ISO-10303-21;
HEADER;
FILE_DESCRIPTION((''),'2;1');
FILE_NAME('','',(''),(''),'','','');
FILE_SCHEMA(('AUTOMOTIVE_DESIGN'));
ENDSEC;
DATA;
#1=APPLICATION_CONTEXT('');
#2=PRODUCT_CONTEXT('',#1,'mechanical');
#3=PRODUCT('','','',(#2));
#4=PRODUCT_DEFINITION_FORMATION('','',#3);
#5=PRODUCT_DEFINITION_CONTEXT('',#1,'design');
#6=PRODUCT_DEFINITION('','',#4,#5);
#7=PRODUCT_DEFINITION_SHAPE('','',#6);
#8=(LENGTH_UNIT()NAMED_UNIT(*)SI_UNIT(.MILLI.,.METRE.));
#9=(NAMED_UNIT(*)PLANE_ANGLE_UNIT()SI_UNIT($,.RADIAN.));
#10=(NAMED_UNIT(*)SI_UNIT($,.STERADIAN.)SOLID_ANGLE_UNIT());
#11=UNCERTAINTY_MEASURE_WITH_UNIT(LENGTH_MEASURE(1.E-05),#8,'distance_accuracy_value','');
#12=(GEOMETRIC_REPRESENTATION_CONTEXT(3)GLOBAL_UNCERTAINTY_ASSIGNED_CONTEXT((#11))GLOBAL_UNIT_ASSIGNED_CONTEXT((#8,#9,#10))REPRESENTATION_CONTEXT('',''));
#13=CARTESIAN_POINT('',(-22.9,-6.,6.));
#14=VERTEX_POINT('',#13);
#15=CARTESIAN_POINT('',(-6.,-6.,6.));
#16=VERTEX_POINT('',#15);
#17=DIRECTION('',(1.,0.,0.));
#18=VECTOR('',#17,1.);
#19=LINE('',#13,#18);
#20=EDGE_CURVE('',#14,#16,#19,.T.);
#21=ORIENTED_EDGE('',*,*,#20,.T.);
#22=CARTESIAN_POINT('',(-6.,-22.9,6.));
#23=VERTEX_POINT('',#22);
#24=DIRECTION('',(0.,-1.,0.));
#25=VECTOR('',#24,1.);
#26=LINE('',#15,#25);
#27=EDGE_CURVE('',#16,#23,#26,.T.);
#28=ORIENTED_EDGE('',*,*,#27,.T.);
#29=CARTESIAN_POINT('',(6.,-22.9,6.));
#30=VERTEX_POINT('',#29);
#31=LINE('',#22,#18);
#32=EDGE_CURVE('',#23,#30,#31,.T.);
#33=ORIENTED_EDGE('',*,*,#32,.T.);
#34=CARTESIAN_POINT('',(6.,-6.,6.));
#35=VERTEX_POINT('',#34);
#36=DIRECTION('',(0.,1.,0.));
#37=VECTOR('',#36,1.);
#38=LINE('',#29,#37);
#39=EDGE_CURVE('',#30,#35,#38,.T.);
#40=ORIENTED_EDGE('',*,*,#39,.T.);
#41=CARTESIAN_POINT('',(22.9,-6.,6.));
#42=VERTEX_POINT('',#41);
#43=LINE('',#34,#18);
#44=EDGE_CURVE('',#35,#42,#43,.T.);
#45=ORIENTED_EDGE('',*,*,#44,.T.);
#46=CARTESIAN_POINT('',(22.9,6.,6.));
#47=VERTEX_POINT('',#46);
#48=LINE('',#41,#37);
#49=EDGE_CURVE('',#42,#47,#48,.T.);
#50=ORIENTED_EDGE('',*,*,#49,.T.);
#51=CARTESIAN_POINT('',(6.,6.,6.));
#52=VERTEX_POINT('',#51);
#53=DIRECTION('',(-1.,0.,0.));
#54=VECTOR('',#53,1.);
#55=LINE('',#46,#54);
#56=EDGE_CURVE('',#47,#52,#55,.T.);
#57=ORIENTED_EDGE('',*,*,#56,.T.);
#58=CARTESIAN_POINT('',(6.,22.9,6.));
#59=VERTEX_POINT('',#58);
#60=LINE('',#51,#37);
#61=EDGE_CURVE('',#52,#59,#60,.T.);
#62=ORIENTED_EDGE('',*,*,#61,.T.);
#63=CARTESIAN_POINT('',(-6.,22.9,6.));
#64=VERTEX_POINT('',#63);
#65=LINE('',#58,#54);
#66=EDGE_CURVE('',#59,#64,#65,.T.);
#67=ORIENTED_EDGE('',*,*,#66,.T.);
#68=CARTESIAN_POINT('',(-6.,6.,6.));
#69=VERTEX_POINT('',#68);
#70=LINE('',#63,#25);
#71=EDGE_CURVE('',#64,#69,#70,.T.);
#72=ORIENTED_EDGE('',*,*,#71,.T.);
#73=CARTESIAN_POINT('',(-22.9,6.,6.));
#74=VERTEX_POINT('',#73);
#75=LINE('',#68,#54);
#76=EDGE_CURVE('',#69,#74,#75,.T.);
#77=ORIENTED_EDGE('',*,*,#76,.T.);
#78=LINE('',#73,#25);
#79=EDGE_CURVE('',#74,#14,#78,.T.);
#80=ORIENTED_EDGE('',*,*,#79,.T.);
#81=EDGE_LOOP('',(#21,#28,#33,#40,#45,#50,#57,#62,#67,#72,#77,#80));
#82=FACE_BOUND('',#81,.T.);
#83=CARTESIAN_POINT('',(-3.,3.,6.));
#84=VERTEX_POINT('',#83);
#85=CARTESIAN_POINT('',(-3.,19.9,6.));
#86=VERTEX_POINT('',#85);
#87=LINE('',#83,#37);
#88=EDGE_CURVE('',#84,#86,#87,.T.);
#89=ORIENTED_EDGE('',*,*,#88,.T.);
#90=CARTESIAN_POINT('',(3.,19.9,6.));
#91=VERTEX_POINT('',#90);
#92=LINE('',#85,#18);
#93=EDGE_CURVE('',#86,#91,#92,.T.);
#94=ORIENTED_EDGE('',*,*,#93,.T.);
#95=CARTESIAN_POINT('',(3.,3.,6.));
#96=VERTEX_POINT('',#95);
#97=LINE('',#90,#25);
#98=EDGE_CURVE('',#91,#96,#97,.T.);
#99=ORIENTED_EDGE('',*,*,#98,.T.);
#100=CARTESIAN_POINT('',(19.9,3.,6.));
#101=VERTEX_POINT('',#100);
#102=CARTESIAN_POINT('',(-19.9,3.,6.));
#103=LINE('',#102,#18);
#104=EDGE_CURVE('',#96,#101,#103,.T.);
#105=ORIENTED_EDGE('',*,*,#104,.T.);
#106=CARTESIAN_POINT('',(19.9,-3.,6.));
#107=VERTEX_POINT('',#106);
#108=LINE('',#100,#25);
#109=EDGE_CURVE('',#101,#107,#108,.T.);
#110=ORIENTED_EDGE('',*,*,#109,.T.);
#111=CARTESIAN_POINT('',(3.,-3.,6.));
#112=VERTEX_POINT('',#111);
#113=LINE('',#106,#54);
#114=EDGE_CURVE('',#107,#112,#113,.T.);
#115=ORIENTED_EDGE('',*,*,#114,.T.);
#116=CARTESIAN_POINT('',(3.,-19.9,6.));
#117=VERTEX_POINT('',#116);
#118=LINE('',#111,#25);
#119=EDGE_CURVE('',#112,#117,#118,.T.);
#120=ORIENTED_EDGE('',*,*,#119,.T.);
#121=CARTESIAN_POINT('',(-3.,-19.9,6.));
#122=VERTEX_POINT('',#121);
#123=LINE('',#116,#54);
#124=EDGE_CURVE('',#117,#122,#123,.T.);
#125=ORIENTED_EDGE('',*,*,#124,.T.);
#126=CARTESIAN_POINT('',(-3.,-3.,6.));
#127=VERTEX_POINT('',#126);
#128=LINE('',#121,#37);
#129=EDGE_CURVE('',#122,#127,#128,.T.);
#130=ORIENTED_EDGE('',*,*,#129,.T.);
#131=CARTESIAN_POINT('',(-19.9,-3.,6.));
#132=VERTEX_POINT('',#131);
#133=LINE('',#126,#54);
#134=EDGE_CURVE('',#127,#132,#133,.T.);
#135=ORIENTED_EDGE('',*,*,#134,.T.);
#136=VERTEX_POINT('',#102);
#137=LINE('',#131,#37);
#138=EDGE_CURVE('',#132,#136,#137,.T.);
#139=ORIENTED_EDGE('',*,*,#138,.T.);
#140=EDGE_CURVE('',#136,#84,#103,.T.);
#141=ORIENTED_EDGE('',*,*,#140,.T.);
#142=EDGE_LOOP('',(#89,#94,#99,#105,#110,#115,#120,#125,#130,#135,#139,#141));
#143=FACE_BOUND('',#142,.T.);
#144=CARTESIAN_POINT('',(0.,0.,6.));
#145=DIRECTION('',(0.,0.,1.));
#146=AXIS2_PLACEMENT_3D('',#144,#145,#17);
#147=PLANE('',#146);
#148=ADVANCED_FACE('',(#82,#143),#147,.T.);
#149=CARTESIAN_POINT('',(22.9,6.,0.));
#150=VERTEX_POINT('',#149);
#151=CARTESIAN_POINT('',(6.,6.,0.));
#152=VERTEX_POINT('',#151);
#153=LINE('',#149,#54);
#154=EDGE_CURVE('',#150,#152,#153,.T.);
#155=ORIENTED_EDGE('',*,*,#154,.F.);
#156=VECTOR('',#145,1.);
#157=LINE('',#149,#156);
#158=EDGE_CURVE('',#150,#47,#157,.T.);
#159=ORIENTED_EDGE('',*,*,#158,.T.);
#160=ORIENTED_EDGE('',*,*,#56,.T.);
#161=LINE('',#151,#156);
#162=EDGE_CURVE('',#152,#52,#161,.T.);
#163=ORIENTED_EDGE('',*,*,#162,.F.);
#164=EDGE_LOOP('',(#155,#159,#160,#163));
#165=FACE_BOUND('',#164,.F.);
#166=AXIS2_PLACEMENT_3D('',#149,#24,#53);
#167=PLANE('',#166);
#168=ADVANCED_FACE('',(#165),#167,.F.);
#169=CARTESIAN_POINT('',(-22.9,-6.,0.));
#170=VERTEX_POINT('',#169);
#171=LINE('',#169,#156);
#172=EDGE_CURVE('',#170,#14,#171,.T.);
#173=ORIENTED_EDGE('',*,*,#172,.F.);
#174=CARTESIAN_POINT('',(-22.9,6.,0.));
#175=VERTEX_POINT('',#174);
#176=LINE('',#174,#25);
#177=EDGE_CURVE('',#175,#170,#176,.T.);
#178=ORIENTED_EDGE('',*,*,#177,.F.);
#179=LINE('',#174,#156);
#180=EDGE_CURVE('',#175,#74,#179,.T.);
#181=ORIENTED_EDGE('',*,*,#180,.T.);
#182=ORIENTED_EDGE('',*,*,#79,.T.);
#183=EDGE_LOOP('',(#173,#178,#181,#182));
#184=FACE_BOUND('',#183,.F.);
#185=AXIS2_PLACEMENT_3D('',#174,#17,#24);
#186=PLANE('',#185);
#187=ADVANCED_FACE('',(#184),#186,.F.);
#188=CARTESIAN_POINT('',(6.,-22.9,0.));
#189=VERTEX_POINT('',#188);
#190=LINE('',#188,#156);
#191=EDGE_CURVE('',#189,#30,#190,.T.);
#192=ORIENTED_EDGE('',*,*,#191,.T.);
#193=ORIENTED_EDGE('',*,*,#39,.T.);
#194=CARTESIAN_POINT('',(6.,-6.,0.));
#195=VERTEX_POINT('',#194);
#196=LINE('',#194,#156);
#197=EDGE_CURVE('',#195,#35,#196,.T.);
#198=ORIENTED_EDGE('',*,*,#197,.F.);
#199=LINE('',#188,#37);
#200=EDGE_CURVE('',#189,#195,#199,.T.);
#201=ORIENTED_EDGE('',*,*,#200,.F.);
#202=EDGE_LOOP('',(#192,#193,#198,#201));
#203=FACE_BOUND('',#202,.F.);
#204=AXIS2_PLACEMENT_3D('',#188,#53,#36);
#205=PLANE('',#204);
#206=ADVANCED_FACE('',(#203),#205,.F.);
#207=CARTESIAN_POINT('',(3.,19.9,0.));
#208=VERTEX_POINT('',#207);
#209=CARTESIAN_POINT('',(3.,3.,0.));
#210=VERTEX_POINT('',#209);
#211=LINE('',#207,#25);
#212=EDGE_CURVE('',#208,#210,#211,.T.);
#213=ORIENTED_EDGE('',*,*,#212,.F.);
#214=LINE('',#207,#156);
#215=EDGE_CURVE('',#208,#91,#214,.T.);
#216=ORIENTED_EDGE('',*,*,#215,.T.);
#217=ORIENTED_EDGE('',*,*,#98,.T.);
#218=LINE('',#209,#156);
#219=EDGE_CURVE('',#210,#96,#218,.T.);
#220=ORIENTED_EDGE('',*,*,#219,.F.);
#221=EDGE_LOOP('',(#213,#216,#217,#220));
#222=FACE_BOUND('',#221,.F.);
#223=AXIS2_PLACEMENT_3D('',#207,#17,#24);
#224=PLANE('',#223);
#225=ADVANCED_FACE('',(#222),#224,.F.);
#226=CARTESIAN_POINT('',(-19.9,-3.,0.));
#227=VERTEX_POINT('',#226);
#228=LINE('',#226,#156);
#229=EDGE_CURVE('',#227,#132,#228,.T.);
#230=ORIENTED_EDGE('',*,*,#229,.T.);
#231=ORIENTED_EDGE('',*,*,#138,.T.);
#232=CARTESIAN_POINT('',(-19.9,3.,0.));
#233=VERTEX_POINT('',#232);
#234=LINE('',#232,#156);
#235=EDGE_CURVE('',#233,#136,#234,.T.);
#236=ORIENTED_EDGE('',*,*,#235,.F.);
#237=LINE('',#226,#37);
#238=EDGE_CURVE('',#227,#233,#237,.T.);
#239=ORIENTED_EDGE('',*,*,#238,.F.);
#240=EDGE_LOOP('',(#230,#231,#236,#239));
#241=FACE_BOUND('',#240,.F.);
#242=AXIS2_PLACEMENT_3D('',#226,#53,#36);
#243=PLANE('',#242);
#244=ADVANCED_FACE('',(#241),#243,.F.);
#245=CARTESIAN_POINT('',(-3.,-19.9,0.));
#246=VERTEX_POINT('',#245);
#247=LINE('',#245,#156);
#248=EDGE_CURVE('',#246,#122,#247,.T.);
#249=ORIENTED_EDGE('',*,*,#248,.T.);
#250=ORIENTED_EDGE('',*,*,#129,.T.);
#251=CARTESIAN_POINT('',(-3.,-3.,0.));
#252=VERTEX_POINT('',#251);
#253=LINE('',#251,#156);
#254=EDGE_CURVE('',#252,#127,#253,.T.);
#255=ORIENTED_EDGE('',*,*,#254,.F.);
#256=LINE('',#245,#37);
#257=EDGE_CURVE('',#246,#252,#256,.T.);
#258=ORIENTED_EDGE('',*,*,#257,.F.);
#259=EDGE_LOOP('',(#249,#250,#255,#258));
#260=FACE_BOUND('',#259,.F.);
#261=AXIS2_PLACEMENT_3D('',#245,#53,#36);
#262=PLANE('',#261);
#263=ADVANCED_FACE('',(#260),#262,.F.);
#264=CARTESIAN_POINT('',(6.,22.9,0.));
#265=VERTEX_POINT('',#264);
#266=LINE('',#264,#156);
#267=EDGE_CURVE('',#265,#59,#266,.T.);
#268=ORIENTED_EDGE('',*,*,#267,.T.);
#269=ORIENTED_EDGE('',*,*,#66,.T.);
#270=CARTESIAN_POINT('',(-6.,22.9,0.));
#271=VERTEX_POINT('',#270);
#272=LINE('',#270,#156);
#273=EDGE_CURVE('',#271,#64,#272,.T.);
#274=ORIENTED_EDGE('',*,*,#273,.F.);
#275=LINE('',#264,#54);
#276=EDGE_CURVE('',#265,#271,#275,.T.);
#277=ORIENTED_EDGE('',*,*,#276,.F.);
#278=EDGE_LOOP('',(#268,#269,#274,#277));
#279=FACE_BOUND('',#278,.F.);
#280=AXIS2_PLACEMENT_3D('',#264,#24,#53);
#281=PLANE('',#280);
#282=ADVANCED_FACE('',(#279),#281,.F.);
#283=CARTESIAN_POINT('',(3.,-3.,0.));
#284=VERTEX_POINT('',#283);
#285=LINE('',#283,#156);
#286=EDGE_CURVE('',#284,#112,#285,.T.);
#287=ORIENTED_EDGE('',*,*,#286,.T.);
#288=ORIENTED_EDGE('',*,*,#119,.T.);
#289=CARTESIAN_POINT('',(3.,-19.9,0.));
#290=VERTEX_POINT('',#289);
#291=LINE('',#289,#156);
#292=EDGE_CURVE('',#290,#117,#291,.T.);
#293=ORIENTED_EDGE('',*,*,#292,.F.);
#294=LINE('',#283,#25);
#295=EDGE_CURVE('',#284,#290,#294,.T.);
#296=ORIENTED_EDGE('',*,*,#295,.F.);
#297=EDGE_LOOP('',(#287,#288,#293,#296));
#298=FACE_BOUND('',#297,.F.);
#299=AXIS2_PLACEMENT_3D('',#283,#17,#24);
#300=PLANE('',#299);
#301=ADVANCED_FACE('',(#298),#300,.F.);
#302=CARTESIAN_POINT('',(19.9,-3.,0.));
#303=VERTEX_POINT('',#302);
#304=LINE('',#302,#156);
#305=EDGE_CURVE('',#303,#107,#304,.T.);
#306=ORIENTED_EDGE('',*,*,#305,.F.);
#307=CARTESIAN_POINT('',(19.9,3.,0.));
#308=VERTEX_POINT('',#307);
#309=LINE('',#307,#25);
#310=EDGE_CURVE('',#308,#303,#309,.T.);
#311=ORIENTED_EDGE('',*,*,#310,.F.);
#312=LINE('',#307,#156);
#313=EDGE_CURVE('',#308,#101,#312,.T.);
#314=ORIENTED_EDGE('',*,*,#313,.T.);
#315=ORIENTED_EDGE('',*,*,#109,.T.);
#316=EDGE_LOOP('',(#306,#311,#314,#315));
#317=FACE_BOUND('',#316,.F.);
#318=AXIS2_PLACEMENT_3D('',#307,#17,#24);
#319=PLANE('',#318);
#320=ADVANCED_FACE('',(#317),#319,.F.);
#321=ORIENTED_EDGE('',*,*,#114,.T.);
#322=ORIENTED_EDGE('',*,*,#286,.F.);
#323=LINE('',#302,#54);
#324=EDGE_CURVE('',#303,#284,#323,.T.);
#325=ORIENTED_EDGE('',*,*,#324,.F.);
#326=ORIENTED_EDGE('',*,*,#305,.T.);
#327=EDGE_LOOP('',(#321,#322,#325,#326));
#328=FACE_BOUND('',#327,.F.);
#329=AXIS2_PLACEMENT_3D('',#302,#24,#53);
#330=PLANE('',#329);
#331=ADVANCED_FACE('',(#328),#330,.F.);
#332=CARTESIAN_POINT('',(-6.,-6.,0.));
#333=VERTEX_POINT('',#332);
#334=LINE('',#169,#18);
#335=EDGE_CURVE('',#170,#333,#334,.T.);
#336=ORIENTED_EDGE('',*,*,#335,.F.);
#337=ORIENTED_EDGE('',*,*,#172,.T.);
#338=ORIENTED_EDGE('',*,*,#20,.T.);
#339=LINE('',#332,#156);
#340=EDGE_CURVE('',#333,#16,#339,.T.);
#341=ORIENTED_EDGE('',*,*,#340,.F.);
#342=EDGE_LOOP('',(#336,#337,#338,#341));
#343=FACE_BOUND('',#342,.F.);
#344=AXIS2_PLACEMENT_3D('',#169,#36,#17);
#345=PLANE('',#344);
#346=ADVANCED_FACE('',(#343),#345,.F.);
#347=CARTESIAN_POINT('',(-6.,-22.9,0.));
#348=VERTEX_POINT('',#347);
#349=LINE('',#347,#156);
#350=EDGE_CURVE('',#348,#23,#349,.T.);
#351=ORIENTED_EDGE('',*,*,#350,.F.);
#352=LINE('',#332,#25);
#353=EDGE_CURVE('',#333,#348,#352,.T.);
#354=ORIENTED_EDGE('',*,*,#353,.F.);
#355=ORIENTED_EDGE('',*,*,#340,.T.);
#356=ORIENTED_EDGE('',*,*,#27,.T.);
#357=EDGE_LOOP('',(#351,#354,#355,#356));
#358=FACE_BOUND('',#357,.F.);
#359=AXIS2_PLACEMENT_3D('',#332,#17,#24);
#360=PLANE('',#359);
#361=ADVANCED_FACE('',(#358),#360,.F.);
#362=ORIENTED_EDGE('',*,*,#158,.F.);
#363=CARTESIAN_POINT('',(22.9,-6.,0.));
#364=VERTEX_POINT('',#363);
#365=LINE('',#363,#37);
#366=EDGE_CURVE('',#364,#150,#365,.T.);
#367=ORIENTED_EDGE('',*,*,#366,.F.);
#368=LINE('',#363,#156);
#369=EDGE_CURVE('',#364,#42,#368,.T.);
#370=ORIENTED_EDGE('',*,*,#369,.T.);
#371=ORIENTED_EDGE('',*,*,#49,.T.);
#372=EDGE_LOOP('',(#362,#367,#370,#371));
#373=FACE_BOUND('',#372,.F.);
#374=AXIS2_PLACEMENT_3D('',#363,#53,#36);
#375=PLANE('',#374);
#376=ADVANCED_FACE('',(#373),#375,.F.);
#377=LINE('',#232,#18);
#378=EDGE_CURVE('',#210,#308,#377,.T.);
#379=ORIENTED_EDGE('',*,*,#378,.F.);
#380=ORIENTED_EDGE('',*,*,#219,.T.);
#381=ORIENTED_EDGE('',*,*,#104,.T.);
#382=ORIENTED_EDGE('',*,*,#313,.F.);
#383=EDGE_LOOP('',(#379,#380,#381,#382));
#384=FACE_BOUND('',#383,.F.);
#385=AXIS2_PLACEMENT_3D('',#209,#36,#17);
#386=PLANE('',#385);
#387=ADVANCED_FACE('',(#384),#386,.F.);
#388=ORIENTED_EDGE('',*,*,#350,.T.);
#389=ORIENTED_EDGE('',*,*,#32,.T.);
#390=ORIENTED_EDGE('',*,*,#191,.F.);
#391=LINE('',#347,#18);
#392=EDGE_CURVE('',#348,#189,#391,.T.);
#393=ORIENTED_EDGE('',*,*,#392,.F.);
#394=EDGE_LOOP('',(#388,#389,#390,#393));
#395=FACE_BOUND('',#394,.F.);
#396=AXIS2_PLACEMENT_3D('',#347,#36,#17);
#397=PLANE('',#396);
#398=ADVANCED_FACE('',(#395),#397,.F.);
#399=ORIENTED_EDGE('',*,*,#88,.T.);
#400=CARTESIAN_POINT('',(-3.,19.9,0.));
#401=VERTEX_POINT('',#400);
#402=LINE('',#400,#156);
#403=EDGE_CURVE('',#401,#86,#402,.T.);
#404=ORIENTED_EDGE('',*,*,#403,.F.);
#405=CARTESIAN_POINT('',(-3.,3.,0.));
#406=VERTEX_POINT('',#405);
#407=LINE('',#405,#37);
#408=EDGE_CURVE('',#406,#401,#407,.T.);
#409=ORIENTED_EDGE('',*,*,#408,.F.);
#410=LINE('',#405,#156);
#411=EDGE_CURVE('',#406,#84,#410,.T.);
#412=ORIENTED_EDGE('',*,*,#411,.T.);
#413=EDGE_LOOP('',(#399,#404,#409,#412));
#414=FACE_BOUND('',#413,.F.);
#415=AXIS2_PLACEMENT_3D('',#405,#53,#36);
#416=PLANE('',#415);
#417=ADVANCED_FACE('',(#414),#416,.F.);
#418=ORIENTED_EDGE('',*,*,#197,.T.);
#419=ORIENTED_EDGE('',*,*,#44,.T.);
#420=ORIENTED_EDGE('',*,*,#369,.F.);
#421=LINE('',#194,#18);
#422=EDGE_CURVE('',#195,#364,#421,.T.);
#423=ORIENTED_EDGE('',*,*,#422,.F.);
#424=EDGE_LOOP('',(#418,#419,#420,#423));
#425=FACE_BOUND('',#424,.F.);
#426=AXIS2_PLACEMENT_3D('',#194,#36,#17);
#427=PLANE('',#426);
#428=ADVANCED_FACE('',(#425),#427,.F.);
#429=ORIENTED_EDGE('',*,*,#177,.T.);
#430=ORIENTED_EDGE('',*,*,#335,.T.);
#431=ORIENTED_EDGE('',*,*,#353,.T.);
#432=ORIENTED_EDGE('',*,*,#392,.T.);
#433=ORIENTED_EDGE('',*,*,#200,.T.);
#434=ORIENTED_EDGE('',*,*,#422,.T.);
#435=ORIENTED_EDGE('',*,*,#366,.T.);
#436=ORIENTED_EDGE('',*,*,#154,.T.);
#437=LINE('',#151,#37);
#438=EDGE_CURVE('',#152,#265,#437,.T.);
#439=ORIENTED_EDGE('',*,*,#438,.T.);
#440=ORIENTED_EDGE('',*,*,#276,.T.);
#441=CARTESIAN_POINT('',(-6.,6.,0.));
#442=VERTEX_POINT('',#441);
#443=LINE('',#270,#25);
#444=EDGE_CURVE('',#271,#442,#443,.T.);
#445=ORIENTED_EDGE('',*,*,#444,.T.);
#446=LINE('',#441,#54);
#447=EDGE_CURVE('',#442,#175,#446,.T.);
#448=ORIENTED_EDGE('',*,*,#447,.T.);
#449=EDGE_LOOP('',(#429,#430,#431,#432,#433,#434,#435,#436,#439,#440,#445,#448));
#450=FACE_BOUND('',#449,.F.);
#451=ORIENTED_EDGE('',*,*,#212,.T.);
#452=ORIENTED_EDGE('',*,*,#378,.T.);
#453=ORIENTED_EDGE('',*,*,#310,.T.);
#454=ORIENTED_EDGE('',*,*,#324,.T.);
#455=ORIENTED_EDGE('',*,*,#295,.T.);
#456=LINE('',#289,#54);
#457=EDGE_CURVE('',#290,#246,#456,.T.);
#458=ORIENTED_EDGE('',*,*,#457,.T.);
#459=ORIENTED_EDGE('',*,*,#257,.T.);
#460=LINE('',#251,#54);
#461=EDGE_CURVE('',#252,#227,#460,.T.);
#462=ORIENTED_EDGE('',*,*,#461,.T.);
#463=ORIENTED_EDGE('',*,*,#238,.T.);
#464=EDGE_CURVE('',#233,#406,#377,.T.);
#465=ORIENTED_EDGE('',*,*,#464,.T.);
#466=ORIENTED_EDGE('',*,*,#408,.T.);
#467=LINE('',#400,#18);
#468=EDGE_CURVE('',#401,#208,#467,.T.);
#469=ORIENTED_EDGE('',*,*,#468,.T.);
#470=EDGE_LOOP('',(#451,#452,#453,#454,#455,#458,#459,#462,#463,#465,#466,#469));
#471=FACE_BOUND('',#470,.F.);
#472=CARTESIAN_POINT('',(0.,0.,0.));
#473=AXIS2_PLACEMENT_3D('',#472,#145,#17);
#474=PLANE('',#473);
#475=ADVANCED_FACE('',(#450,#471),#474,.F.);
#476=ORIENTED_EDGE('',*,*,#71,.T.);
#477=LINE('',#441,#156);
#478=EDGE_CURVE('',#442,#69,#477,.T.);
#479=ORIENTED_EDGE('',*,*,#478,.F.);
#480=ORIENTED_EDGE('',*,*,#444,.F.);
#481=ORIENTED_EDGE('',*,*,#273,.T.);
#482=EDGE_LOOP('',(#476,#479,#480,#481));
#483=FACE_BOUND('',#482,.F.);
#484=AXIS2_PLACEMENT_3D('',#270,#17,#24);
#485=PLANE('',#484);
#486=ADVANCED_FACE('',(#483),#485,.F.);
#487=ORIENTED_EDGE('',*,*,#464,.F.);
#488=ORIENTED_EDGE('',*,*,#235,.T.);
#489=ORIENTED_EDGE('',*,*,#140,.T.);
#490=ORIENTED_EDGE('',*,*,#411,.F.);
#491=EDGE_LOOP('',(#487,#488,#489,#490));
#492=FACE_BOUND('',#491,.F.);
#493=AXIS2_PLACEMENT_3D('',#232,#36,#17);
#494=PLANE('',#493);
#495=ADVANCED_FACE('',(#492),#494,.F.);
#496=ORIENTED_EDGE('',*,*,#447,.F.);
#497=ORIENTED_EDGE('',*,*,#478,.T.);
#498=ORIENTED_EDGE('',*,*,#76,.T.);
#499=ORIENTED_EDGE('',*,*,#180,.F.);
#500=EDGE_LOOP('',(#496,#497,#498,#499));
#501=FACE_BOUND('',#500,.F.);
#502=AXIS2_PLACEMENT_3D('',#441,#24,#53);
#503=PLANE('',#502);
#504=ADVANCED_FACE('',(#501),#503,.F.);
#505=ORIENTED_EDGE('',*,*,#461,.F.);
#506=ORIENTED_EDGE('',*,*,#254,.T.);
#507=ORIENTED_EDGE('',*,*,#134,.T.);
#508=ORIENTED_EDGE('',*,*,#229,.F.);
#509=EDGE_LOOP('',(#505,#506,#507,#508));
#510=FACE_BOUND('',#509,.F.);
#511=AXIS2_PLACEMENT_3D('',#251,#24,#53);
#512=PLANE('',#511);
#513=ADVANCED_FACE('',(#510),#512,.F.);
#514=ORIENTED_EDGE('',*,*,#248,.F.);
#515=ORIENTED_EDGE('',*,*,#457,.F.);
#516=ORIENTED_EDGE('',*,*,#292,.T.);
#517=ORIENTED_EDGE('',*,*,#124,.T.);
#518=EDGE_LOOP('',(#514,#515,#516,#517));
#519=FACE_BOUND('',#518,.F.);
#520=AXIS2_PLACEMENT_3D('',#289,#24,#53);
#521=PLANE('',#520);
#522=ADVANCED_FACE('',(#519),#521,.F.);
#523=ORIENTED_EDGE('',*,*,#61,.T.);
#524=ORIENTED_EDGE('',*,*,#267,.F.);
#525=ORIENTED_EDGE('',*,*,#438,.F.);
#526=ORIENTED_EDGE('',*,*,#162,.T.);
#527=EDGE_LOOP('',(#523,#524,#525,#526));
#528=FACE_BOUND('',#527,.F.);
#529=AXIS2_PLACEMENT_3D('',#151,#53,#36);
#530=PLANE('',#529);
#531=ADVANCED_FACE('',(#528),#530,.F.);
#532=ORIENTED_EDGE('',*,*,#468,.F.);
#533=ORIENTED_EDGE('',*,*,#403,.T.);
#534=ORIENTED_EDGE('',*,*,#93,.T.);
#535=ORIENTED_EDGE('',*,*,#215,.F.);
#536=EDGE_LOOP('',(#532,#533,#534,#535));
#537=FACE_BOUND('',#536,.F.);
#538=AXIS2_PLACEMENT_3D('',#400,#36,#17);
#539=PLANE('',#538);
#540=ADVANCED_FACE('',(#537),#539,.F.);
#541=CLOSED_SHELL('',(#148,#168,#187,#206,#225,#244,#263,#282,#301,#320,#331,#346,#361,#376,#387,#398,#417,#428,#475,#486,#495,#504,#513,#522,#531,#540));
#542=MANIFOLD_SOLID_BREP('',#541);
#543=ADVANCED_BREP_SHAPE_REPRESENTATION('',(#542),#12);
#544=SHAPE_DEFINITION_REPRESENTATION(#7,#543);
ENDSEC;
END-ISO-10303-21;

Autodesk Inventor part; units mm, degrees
ref_plane "YZ Plane" through (0, 0, 0) normal (1, 0, 0) x (0, 1, 0)
ref_plane "XZ Plane" through (0, 0, 0) normal (0, 1, 0) x (-1, 0, 0)
ref_plane "XY Plane" through (0, 0, 0) normal (0, 0, 1) x (1, 0, 0)
ref_plane "Work Plane1" through (0, 0, 0) normal (0, 0, 1) x (1, 0, 0)
sketch "Sketch1" plane through (0, 0, 0) normal (0, 0, 1) x (1, 0, 0)
  line L0 (19.9, 3) -> (3, 3) construction
  line L1 (-19.9, 3) -> (19.9, 3) projected
  line L2 (19.9, 3) -> (19.9, -3) construction
  line L3 (3, 3) -> (3, 19.9) construction
  line L4 (-3, 19.9) -> (3, 19.9) construction
  line L5 (19.9, -3) -> (-19.9, -3) construction
  line L6 (3, -19.9) -> (3, -3) construction
  line L7 (-3, -19.9) -> (3, -19.9) construction
  line L8 (-3, -19.9) -> (-3, -3) projected
  line L9 (-19.9, -3) -> (-19.9, 3) construction
  line L10 (-3, 3) -> (-3, 19.9) construction
  line L11 (-3, 19.9) -> (3, 19.9) construction
  line L12 (-19.9, -3) -> (-19.9, 3) construction
  line L13 (3, -19.9) -> (3, -3) construction
  line L14 (19.9, 3) -> (19.9, -3)
  line L15 (19.9, -3) -> (3, -3)
  line L16 (3, -3) -> (3, -19.9)
  line L17 (3, -19.9) -> (-3, -19.9)
  line L18 (-3, -3) -> (-19.9, -3)
  line L19 (-19.9, -3) -> (-19.9, 3)
  line L20 (-3, 3) -> (-19.9, 3)
  line L21 (-3, 3) -> (-3, 19.9)
  line L22 (-3, 19.9) -> (3, 19.9)
  line L23 (3, 19.9) -> (3, 3)
  line L24 (3, 3) -> (19.9, 3)
  line L25 (-3, -19.9) -> (-3, -3)
  line L26 (6, -22.9) -> (6, -6)
  line L27 (6, -6) -> (22.9, -6)
  line L28 (22.9, -6) -> (22.9, 6)
  line L29 (22.9, 6) -> (6, 6)
  line L30 (6, 6) -> (6, 22.9)
  line L31 (6, 22.9) -> (-6, 22.9)
  line L32 (-6, 22.9) -> (-6, 6)
  line L33 (-6, 6) -> (-22.9, 6)
  line L34 (-22.9, 6) -> (-22.9, -6)
  line L35 (-22.9, -6) -> (-6, -6)
  line L36 (-6, -6) -> (-6, -22.9)
  line L37 (-6, -22.9) -> (6, -22.9)
  point P0 (0, 0)
  dimension "d0" = 3
extrude "Extrusion1" add sketch "Sketch1" along normal blind 6
properties part number "BetteKryds"
